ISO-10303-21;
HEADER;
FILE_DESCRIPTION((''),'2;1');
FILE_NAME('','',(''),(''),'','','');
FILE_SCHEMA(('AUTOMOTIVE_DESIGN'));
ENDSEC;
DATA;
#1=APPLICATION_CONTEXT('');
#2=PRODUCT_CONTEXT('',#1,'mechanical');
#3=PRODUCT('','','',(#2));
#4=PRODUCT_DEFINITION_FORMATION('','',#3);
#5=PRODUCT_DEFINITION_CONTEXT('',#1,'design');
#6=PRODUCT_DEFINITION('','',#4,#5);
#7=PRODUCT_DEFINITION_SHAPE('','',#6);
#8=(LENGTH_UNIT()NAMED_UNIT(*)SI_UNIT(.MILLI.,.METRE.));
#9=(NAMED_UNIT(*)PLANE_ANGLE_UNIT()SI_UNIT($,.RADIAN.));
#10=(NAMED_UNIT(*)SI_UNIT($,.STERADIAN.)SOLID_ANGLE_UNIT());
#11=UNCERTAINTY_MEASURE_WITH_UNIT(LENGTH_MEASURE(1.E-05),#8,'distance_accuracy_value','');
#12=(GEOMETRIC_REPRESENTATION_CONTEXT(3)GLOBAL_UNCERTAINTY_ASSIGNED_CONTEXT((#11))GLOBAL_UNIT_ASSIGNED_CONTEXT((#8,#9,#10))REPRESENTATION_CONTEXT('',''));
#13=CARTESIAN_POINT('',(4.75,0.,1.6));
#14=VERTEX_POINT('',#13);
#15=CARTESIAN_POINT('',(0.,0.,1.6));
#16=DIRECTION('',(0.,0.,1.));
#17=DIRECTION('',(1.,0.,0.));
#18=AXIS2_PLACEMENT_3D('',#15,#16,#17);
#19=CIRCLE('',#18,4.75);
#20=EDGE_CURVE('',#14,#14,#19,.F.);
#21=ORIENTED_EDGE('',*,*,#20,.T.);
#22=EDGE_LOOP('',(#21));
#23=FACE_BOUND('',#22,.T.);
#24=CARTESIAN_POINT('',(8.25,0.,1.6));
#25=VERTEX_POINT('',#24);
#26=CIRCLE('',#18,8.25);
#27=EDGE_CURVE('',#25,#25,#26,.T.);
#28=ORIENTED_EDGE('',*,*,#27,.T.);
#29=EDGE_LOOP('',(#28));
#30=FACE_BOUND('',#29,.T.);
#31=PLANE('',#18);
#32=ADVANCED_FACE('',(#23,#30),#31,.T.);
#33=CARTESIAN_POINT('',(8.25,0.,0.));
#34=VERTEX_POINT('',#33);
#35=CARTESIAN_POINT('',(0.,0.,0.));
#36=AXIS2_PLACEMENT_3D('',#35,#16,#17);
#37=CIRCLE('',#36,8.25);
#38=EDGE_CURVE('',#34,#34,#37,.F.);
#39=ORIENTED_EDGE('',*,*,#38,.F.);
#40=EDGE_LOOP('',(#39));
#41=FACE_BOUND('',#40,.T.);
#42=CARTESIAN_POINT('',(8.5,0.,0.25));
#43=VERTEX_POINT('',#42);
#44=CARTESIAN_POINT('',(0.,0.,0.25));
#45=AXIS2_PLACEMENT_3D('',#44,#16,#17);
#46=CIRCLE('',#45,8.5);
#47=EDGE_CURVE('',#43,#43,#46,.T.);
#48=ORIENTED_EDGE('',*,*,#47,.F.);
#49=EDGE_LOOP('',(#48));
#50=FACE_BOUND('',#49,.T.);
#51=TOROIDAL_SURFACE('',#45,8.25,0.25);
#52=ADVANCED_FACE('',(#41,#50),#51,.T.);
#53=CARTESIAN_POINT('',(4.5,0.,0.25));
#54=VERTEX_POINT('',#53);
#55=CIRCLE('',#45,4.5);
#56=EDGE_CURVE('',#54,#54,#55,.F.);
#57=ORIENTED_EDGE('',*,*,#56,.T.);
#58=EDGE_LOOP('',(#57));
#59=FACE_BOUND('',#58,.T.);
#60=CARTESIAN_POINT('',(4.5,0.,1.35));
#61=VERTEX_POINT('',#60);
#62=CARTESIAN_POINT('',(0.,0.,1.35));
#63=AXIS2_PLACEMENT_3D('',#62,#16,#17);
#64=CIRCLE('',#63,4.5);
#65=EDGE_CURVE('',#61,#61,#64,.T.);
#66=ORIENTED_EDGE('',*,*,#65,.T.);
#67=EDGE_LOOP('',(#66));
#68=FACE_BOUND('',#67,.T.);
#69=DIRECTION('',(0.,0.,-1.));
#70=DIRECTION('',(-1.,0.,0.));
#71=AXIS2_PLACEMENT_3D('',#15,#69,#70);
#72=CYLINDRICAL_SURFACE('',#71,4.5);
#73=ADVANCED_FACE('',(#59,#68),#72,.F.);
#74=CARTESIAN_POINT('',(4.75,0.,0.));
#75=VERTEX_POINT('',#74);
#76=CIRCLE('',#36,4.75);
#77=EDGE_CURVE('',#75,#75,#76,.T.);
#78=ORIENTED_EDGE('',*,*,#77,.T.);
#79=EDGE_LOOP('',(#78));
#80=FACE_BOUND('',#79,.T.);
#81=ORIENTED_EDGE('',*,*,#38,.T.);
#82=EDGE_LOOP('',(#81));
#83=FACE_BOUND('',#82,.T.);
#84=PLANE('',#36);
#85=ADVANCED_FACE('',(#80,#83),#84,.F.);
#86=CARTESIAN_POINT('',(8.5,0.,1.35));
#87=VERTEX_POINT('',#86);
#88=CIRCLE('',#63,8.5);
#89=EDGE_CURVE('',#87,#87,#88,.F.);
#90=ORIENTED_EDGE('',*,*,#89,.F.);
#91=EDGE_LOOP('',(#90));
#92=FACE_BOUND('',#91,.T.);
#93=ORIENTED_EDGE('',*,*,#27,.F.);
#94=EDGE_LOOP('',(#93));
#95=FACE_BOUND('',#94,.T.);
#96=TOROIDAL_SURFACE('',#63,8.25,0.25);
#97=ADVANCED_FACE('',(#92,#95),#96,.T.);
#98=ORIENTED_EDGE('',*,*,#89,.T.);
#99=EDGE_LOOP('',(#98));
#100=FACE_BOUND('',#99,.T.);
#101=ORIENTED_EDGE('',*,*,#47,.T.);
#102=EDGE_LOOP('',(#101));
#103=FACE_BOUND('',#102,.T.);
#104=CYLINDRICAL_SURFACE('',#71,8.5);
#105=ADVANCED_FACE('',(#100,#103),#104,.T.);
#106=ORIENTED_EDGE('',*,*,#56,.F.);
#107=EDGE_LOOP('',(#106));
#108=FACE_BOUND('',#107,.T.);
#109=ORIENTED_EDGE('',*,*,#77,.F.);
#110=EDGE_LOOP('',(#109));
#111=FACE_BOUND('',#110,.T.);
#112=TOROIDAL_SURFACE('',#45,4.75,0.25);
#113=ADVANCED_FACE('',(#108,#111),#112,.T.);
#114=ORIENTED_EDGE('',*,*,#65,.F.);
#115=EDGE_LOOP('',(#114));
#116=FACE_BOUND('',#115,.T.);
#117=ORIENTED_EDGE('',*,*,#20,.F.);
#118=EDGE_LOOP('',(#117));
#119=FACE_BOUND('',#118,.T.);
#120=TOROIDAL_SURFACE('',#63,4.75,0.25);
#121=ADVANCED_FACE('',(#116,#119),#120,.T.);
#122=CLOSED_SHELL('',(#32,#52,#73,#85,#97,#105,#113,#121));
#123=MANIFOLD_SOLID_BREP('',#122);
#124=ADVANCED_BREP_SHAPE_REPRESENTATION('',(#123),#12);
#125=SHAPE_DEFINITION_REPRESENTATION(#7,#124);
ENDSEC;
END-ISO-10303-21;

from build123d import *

# Parameters (mm, degrees)
SKETCH1_R           = 8.5
SKETCH1_R_2         = 4.5
BOSS_EXTRUDE1_DEPTH = 1.6
FILLET1_R           = 0.25


with BuildPart() as part:
    # Sketch1 → Boss-Extrude1 (new body)
    with BuildSketch(Plane.XY):
        Circle(SKETCH1_R)
        Circle(SKETCH1_R_2, mode=Mode.SUBTRACT)
    extrude(amount=BOSS_EXTRUDE1_DEPTH)

    # Fillet1
    fillet1_edges = [part.edges().sort_by_distance(p)[0] for p in [
        (-8.5, 0, 0),
        (-8.5, 0, 1.6),
        (-4.5, 0, 0),
        (-4.5, 0, 1.6),
    ]]
    fillet(fillet1_edges, radius=FILLET1_R)


solid = part.part
